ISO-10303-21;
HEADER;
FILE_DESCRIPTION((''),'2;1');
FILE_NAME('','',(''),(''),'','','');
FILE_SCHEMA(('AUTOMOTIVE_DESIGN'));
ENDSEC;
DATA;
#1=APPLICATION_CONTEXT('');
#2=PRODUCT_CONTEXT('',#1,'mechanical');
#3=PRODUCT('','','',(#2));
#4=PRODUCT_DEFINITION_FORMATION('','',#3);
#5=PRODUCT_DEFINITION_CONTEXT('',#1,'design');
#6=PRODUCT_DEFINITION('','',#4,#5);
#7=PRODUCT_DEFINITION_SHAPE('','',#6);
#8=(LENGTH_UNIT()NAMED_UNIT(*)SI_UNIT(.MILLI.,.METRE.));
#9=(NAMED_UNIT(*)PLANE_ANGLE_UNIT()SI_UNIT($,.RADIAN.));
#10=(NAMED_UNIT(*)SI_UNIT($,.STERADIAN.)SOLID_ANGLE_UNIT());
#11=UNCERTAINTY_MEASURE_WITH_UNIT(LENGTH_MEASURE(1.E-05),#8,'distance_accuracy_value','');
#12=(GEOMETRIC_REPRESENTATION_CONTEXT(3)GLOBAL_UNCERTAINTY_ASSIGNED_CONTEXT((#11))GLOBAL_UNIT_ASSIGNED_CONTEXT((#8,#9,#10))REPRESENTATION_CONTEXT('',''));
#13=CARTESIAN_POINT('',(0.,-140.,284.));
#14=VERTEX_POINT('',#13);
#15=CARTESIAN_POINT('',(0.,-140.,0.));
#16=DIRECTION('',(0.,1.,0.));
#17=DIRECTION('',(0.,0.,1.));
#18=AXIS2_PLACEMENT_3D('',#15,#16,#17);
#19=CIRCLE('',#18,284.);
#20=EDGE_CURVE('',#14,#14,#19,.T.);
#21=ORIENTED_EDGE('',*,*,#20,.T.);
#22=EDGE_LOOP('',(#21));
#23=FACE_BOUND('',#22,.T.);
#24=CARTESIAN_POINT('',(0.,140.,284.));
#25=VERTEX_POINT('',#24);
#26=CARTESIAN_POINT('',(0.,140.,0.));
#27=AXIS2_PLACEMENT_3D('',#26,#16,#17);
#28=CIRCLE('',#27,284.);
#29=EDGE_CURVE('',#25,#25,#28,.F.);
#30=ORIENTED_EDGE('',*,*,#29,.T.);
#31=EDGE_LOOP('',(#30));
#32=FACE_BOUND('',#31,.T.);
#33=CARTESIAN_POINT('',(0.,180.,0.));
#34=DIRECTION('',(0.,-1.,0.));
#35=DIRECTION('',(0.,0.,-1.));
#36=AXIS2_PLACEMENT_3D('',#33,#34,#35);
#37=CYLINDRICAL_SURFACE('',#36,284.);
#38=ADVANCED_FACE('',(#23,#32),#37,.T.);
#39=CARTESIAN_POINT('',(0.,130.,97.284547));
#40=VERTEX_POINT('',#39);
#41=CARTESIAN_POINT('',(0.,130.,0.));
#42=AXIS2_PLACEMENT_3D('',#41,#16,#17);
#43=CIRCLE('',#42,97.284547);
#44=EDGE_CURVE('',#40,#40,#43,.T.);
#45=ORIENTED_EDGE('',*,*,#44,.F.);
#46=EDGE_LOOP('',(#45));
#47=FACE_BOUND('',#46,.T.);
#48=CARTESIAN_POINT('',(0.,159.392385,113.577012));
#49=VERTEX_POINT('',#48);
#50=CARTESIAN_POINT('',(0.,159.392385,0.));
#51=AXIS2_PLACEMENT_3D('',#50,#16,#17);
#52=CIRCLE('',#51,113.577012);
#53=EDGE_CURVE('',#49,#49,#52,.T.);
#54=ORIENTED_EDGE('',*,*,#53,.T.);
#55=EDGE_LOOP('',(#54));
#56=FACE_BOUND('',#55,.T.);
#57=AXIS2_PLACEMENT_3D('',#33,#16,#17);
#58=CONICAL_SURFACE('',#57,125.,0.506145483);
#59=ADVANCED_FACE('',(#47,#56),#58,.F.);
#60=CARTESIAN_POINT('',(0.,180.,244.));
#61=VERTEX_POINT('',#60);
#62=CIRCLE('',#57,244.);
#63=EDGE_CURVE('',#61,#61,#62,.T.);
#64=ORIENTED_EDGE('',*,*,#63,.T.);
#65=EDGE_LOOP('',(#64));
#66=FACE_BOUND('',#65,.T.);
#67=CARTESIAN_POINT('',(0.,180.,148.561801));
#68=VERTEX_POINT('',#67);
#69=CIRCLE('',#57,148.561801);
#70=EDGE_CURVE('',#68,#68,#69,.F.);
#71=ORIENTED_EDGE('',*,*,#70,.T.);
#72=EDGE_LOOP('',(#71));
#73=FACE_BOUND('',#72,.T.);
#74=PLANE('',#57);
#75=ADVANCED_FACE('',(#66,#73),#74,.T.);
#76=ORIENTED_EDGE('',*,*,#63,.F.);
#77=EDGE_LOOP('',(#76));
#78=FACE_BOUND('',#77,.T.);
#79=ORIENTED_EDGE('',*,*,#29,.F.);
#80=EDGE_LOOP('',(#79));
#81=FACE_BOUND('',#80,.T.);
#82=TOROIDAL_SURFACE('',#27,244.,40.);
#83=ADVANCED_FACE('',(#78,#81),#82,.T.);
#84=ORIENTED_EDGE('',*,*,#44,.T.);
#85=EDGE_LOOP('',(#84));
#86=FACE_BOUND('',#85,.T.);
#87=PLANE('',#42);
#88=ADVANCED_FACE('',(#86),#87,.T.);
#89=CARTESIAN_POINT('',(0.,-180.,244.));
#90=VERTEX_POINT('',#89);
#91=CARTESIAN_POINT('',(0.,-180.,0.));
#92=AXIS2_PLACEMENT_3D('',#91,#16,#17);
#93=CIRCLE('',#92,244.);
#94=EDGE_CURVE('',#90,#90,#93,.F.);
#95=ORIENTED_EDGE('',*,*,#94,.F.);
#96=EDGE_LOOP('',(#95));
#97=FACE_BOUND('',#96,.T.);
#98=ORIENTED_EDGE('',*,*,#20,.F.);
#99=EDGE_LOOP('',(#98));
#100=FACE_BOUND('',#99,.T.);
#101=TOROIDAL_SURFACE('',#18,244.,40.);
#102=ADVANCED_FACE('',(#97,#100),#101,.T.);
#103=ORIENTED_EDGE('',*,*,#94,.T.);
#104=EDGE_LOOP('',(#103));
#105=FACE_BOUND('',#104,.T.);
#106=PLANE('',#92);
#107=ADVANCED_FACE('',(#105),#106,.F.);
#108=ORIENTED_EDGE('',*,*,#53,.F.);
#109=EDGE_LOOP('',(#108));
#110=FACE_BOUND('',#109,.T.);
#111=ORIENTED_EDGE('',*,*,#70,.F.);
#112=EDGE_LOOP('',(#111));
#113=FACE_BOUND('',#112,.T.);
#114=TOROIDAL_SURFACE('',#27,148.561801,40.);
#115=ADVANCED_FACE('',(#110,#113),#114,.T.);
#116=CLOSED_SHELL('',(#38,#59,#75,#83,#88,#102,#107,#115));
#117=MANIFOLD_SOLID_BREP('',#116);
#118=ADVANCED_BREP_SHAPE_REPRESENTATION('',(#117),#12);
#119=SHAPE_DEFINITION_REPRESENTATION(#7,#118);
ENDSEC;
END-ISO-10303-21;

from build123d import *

# Parameters (mm, degrees)
SKETCH1_R           = 284
BOSS_EXTRUDE1_DEPTH = 180
SKETCH2_R           = 125
CUT_EXTRUDE1_DEPTH  = 50
CUT_EXTRUDE1_TAPER  = 29
FILLET1_R           = 40
FILLET2_R           = 40
FILLET3_R           = 40


with BuildPart() as part:
    # Sketch1 → Boss-Extrude1 (new body, symmetric)
    with BuildSketch(Plane(origin=(0, 0, 0), x_dir=(1, 0, 0), z_dir=(0, 1, 0))):
        Circle(SKETCH1_R)
    extrude(amount=BOSS_EXTRUDE1_DEPTH, both=True)

    # Sketch2 → Cut-Extrude1 (cut)
    with BuildSketch(Plane(origin=(0, 180, 0), x_dir=(1, 0, 0), z_dir=(0, 1, 0))):
        Circle(SKETCH2_R)
    extrude(amount=-CUT_EXTRUDE1_DEPTH, taper=CUT_EXTRUDE1_TAPER, mode=Mode.SUBTRACT)

    # Fillet1
    fillet1_edges = [part.edges().sort_by_distance(p)[0] for p in [
        (-284, 180, 0),
    ]]
    fillet(fillet1_edges, radius=FILLET1_R)

    # Fillet2
    fillet2_edges = [part.edges().sort_by_distance(p)[0] for p in [
        (-125, 180, 0),
    ]]
    fillet(fillet2_edges, radius=FILLET2_R)

    # Fillet3
    fillet3_edges = [part.edges().sort_by_distance(p)[0] for p in [
        (-284, -180, 0),
    ]]
    fillet(fillet3_edges, radius=FILLET3_R)


solid = part.part
